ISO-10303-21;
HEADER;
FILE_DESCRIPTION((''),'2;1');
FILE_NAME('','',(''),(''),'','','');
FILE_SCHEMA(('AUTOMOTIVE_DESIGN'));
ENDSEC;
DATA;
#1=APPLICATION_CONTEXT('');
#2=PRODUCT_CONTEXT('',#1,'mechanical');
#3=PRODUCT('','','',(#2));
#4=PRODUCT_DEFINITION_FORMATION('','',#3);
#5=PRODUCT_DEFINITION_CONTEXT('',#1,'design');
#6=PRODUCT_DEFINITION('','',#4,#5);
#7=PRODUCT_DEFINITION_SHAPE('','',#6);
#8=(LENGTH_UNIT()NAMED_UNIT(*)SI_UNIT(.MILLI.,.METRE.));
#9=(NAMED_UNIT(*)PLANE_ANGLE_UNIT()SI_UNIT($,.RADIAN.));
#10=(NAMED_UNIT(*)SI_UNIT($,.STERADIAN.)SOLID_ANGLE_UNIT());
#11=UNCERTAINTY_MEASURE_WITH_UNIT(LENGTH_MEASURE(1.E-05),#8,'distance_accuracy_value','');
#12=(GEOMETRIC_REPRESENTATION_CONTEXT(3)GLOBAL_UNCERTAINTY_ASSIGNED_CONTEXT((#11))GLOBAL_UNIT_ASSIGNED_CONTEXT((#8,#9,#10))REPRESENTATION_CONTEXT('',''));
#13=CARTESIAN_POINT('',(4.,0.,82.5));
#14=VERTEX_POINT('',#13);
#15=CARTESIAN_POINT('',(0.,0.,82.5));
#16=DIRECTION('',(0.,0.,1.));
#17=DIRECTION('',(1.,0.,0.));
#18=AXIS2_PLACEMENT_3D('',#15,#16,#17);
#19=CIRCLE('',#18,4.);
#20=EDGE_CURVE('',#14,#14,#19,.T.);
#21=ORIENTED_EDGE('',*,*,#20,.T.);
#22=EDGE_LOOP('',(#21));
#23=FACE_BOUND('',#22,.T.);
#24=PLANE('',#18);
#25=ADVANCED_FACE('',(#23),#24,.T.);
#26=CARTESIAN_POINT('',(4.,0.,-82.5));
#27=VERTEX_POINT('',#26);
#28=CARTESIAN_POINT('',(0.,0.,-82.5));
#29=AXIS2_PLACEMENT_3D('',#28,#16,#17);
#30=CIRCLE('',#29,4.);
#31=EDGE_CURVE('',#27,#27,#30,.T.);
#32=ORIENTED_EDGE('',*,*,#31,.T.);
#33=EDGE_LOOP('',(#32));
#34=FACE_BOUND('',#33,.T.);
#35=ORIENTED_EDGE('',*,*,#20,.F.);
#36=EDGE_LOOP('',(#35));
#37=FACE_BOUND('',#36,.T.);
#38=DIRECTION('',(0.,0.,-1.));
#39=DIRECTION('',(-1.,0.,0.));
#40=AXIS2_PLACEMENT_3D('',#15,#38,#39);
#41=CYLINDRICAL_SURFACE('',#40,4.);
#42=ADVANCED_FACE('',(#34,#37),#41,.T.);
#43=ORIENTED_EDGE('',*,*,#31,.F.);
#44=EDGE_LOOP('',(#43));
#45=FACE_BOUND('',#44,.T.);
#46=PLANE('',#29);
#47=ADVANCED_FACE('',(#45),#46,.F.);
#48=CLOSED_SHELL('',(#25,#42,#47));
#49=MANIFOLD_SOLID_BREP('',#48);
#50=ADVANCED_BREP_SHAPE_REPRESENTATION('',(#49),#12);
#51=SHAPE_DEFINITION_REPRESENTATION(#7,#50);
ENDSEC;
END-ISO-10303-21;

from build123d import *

# Parameters (mm, degrees)
SKETCH_3_R      = 4
EXTRUDE_1_DEPTH = 82.5


with BuildPart() as part:
    # 草图3 → 凸台-拉伸1 (new body, symmetric)
    with BuildSketch(Plane.XY):
        Circle(SKETCH_3_R)
    extrude(amount=EXTRUDE_1_DEPTH, both=True)


solid = part.part
